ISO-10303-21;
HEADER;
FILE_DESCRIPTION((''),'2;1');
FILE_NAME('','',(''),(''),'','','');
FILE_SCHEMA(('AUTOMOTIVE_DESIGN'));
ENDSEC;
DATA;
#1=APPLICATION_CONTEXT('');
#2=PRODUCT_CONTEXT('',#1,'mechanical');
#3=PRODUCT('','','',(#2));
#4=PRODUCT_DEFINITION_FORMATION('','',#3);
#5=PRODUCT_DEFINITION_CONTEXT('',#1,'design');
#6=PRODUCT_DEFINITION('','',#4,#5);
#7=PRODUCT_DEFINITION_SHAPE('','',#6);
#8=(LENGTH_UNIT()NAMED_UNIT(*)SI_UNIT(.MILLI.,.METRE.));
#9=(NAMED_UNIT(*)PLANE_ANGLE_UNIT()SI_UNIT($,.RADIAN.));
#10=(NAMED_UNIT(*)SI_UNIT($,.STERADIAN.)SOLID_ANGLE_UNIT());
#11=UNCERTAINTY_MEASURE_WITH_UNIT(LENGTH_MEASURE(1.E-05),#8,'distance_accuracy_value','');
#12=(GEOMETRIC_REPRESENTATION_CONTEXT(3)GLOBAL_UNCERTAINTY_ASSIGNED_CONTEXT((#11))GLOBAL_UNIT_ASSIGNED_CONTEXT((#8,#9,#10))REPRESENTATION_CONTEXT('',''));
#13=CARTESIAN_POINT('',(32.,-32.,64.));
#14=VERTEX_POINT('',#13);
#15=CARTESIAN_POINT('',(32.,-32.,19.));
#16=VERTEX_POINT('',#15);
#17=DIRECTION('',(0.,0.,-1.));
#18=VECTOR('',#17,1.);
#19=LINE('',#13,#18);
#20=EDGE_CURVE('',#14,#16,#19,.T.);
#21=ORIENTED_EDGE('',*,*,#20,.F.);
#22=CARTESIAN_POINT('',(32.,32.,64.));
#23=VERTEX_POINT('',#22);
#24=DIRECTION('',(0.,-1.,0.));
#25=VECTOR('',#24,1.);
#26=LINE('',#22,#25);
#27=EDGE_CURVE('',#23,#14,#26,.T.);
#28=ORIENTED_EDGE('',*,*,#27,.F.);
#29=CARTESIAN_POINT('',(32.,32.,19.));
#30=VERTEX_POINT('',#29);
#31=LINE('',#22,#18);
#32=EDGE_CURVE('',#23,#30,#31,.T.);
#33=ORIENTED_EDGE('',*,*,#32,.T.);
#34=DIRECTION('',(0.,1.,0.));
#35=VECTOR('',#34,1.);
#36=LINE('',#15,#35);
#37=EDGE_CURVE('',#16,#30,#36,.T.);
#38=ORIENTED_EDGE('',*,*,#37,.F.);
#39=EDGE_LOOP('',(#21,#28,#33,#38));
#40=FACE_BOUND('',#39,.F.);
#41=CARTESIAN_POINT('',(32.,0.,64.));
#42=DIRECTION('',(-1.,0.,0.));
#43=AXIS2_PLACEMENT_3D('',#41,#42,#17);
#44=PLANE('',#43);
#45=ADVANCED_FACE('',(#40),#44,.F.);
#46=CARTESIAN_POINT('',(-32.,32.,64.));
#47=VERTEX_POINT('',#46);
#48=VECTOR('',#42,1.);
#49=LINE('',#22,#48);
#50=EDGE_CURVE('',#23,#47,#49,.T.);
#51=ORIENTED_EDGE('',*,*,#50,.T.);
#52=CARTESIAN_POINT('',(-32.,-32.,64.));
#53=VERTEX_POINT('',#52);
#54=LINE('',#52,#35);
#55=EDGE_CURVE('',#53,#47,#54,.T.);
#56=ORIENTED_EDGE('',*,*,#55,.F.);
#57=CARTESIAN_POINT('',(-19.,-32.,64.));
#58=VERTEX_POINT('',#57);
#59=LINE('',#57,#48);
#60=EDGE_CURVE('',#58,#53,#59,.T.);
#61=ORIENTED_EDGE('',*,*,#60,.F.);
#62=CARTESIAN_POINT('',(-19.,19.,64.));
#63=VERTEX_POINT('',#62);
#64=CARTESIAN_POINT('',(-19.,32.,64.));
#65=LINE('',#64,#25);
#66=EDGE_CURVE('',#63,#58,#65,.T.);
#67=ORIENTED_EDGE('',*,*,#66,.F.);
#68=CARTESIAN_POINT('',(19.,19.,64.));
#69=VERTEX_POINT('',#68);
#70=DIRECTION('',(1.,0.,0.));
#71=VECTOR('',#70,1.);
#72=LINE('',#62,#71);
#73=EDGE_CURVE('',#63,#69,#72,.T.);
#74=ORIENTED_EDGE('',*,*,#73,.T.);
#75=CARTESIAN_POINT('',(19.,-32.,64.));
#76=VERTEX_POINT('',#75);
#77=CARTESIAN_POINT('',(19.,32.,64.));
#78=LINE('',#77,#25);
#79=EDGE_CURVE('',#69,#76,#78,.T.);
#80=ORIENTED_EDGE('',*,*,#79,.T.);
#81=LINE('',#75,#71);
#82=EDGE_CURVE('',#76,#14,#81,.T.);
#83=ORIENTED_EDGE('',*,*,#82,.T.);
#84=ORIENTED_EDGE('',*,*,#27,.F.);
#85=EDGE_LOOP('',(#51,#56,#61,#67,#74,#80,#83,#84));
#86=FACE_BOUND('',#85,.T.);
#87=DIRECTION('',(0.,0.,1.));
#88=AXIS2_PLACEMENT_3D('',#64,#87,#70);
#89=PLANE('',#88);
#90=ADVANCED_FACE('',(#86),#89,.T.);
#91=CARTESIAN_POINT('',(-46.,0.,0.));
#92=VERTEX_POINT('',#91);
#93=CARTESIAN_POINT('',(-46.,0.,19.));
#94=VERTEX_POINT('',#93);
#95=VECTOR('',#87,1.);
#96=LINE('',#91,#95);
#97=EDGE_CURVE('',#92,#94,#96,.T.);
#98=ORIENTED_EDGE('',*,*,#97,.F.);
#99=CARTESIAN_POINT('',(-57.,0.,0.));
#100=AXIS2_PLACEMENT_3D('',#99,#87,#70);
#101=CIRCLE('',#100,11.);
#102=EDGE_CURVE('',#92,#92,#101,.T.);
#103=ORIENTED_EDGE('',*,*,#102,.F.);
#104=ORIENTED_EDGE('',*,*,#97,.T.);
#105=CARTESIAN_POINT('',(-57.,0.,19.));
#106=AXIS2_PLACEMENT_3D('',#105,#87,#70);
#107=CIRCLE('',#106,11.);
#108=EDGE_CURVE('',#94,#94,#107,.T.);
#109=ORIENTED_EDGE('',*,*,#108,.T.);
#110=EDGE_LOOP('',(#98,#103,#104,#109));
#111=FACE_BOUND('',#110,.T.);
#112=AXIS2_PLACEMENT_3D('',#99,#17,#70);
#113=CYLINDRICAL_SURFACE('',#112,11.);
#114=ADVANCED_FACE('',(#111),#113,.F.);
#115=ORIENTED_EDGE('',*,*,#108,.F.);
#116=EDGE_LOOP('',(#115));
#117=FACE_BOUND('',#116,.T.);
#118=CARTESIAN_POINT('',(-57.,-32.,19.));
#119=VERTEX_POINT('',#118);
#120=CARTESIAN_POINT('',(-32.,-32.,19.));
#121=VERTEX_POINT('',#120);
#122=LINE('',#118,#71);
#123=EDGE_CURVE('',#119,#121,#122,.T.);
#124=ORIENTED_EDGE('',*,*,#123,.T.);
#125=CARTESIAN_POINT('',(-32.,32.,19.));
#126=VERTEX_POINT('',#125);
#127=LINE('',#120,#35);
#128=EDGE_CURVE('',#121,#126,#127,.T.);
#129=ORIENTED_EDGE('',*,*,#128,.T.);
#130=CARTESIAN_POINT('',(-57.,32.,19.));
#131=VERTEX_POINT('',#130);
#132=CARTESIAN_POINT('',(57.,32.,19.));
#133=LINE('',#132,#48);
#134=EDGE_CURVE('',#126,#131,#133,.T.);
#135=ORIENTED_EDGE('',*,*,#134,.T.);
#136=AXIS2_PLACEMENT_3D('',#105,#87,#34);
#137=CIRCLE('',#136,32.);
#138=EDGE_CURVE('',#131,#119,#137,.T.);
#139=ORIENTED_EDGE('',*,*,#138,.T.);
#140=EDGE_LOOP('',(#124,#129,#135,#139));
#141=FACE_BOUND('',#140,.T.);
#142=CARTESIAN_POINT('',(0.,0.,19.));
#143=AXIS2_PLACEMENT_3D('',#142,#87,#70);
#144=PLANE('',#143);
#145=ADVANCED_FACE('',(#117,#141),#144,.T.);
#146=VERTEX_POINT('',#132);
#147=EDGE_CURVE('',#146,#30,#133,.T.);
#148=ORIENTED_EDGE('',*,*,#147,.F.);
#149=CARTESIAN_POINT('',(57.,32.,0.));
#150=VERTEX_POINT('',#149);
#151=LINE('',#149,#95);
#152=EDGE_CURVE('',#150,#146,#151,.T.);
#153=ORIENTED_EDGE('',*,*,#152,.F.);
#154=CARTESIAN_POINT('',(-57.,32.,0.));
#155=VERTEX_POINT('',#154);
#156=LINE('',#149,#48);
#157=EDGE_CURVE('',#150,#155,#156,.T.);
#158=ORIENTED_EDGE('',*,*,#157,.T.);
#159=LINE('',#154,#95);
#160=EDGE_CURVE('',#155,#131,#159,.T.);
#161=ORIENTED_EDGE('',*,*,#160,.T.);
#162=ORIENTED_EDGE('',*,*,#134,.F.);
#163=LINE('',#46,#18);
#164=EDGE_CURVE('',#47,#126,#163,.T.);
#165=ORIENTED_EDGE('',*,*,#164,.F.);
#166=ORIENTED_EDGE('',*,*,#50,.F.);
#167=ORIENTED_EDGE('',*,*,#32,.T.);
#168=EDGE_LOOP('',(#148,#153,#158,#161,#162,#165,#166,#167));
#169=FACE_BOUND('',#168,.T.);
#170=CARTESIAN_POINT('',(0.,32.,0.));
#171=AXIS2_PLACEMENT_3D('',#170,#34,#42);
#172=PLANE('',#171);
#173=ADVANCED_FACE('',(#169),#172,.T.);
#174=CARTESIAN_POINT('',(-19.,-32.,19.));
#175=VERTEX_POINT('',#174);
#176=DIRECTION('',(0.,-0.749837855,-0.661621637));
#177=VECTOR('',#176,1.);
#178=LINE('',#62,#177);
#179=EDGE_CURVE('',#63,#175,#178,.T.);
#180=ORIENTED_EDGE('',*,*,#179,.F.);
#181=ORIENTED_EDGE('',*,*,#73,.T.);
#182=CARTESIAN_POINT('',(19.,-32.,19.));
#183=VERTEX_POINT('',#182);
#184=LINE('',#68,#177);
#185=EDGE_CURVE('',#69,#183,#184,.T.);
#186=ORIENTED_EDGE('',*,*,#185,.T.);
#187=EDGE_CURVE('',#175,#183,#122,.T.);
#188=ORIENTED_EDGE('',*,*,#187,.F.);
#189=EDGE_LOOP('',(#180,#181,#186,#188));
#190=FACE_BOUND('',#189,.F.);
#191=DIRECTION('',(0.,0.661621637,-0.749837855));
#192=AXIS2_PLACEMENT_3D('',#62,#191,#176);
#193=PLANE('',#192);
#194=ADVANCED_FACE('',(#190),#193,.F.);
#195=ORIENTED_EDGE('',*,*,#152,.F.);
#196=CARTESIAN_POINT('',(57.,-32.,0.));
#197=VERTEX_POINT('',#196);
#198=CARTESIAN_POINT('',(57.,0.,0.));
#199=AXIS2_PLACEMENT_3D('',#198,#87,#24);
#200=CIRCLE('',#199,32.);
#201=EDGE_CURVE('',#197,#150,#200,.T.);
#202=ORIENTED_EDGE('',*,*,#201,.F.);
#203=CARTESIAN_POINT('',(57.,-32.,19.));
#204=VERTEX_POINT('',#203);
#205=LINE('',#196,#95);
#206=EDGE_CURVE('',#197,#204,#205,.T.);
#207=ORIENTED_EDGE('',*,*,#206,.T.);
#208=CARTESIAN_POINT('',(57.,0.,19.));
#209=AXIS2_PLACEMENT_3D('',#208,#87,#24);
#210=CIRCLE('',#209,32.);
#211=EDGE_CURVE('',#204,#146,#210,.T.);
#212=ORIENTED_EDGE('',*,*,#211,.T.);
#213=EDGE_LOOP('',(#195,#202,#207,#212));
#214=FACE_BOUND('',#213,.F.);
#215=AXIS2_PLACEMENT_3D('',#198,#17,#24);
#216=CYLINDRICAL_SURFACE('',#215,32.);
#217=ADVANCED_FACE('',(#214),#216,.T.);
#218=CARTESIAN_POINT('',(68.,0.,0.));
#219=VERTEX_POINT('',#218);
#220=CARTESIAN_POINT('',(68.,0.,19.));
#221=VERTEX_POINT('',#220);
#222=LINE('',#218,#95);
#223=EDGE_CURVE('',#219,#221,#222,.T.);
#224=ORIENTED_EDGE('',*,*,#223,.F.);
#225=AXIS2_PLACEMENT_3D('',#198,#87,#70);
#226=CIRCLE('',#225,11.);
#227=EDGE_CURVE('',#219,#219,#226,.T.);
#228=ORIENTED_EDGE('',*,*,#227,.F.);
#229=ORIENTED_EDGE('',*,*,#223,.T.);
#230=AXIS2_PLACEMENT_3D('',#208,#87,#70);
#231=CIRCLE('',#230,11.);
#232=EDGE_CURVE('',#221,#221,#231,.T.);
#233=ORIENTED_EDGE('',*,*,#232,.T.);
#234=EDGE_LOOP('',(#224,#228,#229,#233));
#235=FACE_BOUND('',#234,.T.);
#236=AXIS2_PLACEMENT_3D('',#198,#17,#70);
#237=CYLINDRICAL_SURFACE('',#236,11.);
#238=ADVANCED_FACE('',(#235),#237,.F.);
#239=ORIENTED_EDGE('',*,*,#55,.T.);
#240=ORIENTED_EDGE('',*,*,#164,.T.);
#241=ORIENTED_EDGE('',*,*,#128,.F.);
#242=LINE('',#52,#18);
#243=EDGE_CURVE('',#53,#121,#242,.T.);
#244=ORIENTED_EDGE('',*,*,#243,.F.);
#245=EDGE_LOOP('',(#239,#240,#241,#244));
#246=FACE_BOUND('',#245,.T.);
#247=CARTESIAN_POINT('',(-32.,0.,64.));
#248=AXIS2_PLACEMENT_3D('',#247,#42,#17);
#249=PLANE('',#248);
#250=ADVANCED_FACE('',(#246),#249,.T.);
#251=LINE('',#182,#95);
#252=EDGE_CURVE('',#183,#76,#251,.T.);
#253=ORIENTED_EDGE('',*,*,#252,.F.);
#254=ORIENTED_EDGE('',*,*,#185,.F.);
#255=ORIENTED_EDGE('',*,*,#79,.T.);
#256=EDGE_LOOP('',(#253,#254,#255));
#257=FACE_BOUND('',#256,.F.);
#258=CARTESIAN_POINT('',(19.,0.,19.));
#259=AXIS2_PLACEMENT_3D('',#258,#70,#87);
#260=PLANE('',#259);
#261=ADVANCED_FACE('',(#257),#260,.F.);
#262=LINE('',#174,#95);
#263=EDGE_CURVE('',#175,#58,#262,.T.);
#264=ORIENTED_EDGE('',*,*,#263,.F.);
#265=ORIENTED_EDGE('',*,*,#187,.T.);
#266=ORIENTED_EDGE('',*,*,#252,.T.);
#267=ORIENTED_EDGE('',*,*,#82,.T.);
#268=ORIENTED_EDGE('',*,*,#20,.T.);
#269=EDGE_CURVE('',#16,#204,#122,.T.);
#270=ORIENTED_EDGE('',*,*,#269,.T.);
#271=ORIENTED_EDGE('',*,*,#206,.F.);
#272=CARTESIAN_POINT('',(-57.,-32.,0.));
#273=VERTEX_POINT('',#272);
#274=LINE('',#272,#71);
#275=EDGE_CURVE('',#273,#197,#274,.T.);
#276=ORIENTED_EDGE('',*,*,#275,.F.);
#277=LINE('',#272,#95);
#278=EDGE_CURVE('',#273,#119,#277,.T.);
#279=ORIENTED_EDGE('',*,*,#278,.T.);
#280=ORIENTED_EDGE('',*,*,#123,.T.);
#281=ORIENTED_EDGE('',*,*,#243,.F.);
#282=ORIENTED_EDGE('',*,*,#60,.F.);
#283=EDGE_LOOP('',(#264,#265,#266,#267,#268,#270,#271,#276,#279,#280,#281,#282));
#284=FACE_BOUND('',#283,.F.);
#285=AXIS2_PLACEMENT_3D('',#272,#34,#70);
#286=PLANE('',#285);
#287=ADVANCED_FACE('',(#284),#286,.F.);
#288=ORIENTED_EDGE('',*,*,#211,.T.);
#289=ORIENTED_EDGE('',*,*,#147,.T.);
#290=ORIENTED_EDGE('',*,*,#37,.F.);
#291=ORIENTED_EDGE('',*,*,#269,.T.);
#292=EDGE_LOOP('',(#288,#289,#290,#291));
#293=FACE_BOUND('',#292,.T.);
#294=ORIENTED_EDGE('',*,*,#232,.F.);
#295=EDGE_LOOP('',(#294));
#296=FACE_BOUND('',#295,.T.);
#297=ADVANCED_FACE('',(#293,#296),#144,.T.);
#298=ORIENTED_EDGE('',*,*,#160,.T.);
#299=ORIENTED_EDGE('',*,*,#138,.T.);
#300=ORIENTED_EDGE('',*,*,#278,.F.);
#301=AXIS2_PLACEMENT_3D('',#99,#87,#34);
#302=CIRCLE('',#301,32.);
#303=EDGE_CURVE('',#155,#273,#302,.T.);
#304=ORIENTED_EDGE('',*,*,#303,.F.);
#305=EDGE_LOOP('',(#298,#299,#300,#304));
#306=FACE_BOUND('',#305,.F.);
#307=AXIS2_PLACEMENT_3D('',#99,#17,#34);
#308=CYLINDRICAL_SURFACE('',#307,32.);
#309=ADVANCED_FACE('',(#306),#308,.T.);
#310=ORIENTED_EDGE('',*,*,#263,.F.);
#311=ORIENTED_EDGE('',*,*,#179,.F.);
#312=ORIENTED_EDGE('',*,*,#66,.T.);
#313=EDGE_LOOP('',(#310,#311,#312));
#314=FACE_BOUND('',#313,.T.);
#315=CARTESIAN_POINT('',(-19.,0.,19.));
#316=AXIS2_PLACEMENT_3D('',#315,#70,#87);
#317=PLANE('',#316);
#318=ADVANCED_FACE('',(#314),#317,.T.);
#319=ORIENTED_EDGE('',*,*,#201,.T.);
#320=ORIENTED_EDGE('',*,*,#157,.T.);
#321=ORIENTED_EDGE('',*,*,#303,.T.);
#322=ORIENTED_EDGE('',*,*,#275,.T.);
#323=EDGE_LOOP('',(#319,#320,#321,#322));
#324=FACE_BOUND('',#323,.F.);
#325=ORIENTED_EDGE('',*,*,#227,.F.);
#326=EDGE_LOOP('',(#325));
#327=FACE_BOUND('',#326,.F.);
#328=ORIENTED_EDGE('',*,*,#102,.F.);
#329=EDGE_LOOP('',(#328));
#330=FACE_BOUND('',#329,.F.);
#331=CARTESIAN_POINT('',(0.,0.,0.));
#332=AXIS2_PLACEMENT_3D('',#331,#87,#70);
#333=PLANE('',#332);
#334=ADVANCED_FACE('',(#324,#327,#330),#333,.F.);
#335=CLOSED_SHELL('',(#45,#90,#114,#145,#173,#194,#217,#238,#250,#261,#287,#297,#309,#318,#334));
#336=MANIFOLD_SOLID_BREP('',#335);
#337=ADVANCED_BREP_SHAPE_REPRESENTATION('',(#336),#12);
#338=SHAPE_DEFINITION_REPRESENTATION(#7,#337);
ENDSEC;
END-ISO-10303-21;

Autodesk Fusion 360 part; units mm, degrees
sketch "Sketch1" plane through (0, 0, 0) normal (0, 0, 1) x (1, 0, 0)
  line L0 (57, 32) -> (-57, 32)
  line L1 (-57, -32) -> (57, -32)
  circle A0 centre (57, 0) radius 11
  circle A1 centre (-57, 0) radius 11
  arc A2 (57, -32) -> (57, 32) centre (57, 0) ccw
  arc A3 (-57, 32) -> (-57, -32) centre (-57, 0) ccw
  dimension "d1" = 114
  dimension "d2" = 64
  dimension "d3" = 32
  dimension "d4" = 32
extrude "Extrude1" add sketch "Sketch1" along normal blind 19
sketch "Sketch2" plane through (0, 0, 0) normal (0, 1, 0) x (1, 0, 0)
  line L0 (-32, -19) -> (-19, -19)
  line L1 (-19, -19) -> (-19, -64)
  line L2 (-19, -64) -> (-32, -64)
  line L3 (-32, -64) -> (-32, -19)
  line L4 (-57, 0) -> (-57, -19)
  dimension "d9" = 13
  dimension "d10" = 45
  dimension "d11" = 25
extrude "Extrude2" add sketch "Sketch2" along normal mid plane 64
sketch "Sketch3" plane through (0, 0, 0) normal (0, 1, 0) x (1, 0, 0)
  line L0 (32, -19) -> (19, -19)
  line L1 (19, -19) -> (19, -64)
  line L2 (19, -64) -> (32, -64)
  line L3 (32, -64) -> (32, -19)
  line L4 (57, 0) -> (57, -19)
  dimension "d14" = 13
  dimension "d15" = 45
  dimension "d16" = 25
extrude "Extrude3" add sketch "Sketch3" along normal mid plane 64
sketch "Sketch5" plane through (0, 32, 0) normal (0, 1, 0) x (-1, 0, 0)
  line L0 (-57, 0) -> (57, 0)
  line L1 (57, 0) -> (57, 19)
  line L2 (57, 19) -> (32, 19)
  line L3 (32, 19) -> (32, 64)
  line L4 (32, 64) -> (19, 64)
  line L5 (19, 64) -> (19, 19)
  line L6 (19, 19) -> (-19, 19)
  line L7 (-19, 19) -> (-19, 64)
  line L8 (-19, 64) -> (-32, 64)
  line L9 (-32, 64) -> (-32, 19)
  line L10 (-32, 19) -> (-57, 19)
  line L11 (-57, 19) -> (-57, 0)
  line L12 (-19, 19) -> (19, 19)
  line L13 (19, 19) -> (19, 64)
  line L14 (19, 64) -> (-19, 64)
  line L15 (-19, 64) -> (-19, 19)
extrude "Extrude4" add sketch "Sketch5" against normal blind 13 contours L5 L6 L7 L12 L13 L14 L15
sketch "Sketch6" plane through (-19, 0, 0) normal (1, 0, 0) x (0, 1, 0)
  line L0 (19, 19) -> (19, 64)
  line L1 (19, 64) -> (-32, 64)
  line L2 (-32, 64) -> (-32, 19)
  line L3 (-32, 19) -> (19, 19)
  line L4 (19, 64) -> (-32, 19)
  line L5 (19, 19) -> (19, 64)
  line L6 (-32, 19) -> (19, 19)
extrude "Extrude5" add sketch "Sketch6" along normal blind 38 contours L0 L3 L4 L5 L6
